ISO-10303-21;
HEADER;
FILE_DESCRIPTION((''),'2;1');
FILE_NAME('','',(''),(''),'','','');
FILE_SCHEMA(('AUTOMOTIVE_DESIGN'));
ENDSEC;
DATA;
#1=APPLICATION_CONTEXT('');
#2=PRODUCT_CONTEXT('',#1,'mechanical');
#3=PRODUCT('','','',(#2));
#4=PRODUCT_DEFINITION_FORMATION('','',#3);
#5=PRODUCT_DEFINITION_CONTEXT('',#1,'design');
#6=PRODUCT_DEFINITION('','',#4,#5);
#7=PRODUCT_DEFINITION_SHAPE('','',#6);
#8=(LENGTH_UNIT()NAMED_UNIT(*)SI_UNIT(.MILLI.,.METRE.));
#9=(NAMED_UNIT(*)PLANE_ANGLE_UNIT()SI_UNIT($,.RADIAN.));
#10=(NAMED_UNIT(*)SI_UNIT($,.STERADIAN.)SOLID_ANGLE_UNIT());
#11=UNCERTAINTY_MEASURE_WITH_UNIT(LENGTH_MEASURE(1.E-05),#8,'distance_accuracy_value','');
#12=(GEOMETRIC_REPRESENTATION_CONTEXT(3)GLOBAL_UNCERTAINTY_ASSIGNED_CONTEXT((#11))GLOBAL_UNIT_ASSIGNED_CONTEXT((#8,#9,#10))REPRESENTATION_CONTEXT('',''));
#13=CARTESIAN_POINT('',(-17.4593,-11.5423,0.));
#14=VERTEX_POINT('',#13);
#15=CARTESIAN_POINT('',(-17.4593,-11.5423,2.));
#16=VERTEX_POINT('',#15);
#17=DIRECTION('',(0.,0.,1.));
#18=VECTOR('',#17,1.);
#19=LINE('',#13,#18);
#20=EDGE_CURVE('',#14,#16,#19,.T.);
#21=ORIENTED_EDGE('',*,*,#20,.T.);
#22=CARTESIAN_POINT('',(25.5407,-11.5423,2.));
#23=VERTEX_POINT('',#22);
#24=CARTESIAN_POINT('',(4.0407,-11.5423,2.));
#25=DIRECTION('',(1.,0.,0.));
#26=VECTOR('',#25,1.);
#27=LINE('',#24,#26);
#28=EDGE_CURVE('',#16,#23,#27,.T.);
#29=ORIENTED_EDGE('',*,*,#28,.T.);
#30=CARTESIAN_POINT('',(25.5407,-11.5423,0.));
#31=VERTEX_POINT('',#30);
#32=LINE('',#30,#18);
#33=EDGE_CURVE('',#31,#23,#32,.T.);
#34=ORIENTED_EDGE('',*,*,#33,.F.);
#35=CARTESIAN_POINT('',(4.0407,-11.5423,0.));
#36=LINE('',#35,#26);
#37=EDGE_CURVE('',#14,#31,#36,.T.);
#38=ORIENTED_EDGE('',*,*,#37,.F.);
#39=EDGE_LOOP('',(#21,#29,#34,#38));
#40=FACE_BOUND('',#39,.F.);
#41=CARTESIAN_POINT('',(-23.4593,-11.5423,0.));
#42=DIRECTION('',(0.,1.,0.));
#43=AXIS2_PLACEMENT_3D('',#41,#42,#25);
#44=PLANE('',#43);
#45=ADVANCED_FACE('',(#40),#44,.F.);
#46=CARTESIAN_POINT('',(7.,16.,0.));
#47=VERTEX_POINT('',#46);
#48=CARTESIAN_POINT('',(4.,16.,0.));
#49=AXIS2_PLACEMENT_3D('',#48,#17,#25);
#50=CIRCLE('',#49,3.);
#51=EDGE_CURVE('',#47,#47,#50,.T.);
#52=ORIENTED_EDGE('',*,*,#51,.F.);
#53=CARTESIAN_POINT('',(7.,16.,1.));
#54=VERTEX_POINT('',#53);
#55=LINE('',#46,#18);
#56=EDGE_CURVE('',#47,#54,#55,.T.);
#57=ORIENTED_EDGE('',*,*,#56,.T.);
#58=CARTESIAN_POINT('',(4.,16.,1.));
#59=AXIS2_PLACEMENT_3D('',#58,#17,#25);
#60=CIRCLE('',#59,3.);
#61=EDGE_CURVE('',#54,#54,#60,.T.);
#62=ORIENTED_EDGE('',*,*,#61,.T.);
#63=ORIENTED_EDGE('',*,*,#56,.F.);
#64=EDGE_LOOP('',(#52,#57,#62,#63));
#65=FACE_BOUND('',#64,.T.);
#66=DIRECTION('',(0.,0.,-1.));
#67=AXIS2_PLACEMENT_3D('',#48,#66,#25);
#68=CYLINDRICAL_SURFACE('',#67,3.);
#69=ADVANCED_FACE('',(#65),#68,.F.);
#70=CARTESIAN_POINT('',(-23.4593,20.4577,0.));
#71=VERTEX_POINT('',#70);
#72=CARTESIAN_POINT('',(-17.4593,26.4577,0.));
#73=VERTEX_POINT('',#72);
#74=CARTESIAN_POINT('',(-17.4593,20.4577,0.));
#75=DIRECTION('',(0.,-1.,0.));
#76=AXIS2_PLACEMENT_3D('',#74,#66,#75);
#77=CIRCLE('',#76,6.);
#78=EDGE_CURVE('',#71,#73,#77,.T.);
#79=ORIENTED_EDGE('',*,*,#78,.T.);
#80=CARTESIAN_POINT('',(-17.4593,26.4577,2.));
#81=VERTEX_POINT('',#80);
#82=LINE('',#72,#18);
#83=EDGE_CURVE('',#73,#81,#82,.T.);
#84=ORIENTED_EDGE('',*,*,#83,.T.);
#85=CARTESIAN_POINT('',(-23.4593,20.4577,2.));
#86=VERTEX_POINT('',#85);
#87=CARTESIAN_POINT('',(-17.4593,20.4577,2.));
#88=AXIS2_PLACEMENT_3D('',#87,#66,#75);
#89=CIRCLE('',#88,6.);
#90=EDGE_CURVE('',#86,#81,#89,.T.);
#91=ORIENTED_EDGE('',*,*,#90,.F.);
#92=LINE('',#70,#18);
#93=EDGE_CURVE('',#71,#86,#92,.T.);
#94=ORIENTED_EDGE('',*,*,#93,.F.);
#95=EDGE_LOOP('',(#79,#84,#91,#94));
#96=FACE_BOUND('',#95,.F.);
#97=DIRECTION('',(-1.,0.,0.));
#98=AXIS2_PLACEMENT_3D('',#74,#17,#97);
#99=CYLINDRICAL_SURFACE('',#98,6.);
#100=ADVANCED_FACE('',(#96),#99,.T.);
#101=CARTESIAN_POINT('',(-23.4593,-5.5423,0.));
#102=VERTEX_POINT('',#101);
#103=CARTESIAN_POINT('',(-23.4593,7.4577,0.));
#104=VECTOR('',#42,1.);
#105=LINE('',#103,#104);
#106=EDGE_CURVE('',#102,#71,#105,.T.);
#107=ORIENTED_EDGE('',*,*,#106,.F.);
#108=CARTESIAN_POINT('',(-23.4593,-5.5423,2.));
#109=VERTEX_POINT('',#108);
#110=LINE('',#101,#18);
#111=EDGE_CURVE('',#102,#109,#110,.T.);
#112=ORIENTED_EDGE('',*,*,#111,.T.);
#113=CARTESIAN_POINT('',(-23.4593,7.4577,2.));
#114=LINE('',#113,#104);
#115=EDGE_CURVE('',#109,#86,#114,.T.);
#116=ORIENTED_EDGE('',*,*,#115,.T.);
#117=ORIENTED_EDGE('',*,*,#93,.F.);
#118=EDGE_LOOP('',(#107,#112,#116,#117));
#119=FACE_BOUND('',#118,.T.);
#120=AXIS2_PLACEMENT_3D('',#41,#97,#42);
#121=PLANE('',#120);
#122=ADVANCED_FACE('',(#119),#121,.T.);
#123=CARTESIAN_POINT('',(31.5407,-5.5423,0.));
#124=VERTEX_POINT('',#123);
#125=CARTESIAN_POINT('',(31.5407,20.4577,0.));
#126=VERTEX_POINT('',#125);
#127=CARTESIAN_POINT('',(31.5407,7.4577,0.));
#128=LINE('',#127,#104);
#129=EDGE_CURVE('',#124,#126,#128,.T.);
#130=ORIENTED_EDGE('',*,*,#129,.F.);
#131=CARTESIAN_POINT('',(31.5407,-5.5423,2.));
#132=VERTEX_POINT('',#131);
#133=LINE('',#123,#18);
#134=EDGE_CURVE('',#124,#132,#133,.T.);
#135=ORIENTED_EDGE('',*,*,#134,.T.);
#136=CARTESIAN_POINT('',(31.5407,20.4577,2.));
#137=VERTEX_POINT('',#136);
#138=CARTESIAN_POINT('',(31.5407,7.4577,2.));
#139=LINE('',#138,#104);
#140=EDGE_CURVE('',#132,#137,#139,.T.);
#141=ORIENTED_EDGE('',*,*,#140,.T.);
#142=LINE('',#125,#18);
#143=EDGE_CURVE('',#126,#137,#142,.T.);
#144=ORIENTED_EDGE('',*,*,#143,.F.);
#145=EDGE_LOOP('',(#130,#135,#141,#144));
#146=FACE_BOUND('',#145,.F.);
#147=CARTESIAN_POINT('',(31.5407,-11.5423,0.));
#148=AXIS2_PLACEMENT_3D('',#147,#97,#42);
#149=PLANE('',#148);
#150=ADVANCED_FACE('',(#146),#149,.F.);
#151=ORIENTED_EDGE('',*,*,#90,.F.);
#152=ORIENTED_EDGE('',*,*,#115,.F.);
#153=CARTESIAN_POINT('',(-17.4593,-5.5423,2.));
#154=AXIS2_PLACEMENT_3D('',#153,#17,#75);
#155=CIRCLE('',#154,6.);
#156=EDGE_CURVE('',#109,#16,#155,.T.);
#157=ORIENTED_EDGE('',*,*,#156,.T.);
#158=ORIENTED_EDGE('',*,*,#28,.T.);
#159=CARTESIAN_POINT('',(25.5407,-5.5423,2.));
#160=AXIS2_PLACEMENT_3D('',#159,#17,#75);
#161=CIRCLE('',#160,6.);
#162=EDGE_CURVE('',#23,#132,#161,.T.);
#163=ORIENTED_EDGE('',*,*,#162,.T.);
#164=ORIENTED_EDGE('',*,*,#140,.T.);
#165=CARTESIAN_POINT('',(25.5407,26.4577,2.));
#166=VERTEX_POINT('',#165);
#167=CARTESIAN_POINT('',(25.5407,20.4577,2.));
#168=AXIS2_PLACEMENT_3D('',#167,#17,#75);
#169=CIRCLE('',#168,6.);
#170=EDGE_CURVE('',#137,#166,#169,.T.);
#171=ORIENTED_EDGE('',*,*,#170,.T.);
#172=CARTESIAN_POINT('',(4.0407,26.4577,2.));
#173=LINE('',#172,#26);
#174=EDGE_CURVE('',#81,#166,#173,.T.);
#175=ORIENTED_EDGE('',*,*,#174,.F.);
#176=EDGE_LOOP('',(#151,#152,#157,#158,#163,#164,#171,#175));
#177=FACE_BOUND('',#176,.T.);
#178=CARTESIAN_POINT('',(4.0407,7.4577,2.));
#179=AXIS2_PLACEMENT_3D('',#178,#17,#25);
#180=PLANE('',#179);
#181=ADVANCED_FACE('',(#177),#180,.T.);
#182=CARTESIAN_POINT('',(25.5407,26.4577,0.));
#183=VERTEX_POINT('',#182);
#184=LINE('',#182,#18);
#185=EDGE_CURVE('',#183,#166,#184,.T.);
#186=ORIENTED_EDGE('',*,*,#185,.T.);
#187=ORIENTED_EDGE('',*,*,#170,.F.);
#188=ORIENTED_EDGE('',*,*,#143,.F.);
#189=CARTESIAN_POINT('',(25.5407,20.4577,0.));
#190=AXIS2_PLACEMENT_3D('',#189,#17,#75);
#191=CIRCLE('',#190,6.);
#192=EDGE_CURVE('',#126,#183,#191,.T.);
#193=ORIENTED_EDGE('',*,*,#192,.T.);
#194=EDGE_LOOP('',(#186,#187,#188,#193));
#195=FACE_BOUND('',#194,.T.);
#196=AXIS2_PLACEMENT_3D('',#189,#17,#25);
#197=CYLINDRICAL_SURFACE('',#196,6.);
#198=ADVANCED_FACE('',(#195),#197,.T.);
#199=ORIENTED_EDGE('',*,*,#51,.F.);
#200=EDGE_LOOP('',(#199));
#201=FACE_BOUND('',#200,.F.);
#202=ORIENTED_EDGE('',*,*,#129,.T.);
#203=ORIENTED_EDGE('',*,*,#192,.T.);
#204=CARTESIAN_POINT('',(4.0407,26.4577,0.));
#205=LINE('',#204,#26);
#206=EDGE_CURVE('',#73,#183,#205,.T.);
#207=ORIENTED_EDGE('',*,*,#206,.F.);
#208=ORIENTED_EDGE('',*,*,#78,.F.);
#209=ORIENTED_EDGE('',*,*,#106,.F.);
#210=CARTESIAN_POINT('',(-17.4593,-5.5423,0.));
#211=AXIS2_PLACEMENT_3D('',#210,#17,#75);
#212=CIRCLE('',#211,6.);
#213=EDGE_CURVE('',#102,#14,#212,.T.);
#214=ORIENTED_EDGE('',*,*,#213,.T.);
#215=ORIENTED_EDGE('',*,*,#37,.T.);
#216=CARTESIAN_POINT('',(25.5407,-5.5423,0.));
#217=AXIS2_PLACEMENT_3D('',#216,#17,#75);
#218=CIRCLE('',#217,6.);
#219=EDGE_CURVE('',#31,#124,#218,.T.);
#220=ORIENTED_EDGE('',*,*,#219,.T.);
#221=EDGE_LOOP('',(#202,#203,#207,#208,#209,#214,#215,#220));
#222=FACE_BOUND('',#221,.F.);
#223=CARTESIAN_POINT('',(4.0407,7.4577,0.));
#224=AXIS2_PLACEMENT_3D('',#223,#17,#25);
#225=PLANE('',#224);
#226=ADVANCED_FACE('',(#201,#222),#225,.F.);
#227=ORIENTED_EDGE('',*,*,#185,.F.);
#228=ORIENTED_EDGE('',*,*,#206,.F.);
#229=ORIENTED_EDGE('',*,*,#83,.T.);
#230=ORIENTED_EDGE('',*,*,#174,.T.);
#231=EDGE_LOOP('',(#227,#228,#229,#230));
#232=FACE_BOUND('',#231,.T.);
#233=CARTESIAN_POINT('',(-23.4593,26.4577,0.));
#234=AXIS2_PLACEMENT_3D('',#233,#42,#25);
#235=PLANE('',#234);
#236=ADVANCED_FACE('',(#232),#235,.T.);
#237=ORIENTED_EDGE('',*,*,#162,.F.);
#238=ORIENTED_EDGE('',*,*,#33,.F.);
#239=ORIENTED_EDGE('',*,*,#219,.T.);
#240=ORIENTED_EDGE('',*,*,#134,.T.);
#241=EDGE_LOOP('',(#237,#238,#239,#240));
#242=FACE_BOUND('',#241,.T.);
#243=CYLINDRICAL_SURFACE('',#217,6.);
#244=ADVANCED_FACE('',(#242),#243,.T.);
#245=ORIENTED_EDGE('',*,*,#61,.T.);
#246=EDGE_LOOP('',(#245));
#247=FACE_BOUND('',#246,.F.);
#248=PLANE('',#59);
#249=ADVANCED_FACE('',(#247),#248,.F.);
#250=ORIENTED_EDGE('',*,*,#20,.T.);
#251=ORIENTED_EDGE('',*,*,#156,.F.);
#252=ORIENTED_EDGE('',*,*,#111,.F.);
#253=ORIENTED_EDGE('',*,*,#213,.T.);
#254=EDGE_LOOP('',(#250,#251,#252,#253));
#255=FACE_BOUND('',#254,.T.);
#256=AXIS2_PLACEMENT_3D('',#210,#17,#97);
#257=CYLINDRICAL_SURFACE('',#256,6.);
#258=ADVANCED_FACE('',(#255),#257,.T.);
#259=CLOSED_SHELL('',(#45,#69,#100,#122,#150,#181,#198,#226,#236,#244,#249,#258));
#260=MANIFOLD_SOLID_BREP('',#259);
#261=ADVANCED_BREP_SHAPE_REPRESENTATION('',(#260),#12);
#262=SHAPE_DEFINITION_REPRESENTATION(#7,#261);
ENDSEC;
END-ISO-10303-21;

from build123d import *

# Parameters (mm, degrees)
CYLINDER_R     = 3
CYLINDER_DEPTH = 1
BOX_W          = 55
BOX_H          = 38
BOX_DEPTH      = 2
FILLET_R       = 6


with BuildPart() as cilindro:
    # Cylinder → Cylinder (new body)
    with BuildSketch(Plane(origin=(4, 16, 0), x_dir=(1, 0, 0), z_dir=(0, 0, 1))):
        Circle(CYLINDER_R)
    extrude(amount=CYLINDER_DEPTH)


with BuildPart() as cut002:
    # Box → Box (new body)
    with BuildSketch(Plane(origin=(-23.4593, -11.5423, 0), x_dir=(1, 0, 0), z_dir=(0, 0, 1))):
        with Locations((27.5, 19)):
            Rectangle(BOX_W, BOX_H)
    extrude(amount=BOX_DEPTH)

    # Fillet
    fillet_edges = [cut002.edges().sort_by_distance(p)[0] for p in [
        (-23.4593, -11.5423, 1),
        (-23.4593, 26.4577, 1),
        (31.5407, -11.5423, 1),
        (31.5407, 26.4577, 1),
    ]]
    fillet(fillet_edges, radius=FILLET_R)

    # Cut002: cut Cilindro
    add(cilindro.part, mode=Mode.SUBTRACT)


solid = cut002.part
